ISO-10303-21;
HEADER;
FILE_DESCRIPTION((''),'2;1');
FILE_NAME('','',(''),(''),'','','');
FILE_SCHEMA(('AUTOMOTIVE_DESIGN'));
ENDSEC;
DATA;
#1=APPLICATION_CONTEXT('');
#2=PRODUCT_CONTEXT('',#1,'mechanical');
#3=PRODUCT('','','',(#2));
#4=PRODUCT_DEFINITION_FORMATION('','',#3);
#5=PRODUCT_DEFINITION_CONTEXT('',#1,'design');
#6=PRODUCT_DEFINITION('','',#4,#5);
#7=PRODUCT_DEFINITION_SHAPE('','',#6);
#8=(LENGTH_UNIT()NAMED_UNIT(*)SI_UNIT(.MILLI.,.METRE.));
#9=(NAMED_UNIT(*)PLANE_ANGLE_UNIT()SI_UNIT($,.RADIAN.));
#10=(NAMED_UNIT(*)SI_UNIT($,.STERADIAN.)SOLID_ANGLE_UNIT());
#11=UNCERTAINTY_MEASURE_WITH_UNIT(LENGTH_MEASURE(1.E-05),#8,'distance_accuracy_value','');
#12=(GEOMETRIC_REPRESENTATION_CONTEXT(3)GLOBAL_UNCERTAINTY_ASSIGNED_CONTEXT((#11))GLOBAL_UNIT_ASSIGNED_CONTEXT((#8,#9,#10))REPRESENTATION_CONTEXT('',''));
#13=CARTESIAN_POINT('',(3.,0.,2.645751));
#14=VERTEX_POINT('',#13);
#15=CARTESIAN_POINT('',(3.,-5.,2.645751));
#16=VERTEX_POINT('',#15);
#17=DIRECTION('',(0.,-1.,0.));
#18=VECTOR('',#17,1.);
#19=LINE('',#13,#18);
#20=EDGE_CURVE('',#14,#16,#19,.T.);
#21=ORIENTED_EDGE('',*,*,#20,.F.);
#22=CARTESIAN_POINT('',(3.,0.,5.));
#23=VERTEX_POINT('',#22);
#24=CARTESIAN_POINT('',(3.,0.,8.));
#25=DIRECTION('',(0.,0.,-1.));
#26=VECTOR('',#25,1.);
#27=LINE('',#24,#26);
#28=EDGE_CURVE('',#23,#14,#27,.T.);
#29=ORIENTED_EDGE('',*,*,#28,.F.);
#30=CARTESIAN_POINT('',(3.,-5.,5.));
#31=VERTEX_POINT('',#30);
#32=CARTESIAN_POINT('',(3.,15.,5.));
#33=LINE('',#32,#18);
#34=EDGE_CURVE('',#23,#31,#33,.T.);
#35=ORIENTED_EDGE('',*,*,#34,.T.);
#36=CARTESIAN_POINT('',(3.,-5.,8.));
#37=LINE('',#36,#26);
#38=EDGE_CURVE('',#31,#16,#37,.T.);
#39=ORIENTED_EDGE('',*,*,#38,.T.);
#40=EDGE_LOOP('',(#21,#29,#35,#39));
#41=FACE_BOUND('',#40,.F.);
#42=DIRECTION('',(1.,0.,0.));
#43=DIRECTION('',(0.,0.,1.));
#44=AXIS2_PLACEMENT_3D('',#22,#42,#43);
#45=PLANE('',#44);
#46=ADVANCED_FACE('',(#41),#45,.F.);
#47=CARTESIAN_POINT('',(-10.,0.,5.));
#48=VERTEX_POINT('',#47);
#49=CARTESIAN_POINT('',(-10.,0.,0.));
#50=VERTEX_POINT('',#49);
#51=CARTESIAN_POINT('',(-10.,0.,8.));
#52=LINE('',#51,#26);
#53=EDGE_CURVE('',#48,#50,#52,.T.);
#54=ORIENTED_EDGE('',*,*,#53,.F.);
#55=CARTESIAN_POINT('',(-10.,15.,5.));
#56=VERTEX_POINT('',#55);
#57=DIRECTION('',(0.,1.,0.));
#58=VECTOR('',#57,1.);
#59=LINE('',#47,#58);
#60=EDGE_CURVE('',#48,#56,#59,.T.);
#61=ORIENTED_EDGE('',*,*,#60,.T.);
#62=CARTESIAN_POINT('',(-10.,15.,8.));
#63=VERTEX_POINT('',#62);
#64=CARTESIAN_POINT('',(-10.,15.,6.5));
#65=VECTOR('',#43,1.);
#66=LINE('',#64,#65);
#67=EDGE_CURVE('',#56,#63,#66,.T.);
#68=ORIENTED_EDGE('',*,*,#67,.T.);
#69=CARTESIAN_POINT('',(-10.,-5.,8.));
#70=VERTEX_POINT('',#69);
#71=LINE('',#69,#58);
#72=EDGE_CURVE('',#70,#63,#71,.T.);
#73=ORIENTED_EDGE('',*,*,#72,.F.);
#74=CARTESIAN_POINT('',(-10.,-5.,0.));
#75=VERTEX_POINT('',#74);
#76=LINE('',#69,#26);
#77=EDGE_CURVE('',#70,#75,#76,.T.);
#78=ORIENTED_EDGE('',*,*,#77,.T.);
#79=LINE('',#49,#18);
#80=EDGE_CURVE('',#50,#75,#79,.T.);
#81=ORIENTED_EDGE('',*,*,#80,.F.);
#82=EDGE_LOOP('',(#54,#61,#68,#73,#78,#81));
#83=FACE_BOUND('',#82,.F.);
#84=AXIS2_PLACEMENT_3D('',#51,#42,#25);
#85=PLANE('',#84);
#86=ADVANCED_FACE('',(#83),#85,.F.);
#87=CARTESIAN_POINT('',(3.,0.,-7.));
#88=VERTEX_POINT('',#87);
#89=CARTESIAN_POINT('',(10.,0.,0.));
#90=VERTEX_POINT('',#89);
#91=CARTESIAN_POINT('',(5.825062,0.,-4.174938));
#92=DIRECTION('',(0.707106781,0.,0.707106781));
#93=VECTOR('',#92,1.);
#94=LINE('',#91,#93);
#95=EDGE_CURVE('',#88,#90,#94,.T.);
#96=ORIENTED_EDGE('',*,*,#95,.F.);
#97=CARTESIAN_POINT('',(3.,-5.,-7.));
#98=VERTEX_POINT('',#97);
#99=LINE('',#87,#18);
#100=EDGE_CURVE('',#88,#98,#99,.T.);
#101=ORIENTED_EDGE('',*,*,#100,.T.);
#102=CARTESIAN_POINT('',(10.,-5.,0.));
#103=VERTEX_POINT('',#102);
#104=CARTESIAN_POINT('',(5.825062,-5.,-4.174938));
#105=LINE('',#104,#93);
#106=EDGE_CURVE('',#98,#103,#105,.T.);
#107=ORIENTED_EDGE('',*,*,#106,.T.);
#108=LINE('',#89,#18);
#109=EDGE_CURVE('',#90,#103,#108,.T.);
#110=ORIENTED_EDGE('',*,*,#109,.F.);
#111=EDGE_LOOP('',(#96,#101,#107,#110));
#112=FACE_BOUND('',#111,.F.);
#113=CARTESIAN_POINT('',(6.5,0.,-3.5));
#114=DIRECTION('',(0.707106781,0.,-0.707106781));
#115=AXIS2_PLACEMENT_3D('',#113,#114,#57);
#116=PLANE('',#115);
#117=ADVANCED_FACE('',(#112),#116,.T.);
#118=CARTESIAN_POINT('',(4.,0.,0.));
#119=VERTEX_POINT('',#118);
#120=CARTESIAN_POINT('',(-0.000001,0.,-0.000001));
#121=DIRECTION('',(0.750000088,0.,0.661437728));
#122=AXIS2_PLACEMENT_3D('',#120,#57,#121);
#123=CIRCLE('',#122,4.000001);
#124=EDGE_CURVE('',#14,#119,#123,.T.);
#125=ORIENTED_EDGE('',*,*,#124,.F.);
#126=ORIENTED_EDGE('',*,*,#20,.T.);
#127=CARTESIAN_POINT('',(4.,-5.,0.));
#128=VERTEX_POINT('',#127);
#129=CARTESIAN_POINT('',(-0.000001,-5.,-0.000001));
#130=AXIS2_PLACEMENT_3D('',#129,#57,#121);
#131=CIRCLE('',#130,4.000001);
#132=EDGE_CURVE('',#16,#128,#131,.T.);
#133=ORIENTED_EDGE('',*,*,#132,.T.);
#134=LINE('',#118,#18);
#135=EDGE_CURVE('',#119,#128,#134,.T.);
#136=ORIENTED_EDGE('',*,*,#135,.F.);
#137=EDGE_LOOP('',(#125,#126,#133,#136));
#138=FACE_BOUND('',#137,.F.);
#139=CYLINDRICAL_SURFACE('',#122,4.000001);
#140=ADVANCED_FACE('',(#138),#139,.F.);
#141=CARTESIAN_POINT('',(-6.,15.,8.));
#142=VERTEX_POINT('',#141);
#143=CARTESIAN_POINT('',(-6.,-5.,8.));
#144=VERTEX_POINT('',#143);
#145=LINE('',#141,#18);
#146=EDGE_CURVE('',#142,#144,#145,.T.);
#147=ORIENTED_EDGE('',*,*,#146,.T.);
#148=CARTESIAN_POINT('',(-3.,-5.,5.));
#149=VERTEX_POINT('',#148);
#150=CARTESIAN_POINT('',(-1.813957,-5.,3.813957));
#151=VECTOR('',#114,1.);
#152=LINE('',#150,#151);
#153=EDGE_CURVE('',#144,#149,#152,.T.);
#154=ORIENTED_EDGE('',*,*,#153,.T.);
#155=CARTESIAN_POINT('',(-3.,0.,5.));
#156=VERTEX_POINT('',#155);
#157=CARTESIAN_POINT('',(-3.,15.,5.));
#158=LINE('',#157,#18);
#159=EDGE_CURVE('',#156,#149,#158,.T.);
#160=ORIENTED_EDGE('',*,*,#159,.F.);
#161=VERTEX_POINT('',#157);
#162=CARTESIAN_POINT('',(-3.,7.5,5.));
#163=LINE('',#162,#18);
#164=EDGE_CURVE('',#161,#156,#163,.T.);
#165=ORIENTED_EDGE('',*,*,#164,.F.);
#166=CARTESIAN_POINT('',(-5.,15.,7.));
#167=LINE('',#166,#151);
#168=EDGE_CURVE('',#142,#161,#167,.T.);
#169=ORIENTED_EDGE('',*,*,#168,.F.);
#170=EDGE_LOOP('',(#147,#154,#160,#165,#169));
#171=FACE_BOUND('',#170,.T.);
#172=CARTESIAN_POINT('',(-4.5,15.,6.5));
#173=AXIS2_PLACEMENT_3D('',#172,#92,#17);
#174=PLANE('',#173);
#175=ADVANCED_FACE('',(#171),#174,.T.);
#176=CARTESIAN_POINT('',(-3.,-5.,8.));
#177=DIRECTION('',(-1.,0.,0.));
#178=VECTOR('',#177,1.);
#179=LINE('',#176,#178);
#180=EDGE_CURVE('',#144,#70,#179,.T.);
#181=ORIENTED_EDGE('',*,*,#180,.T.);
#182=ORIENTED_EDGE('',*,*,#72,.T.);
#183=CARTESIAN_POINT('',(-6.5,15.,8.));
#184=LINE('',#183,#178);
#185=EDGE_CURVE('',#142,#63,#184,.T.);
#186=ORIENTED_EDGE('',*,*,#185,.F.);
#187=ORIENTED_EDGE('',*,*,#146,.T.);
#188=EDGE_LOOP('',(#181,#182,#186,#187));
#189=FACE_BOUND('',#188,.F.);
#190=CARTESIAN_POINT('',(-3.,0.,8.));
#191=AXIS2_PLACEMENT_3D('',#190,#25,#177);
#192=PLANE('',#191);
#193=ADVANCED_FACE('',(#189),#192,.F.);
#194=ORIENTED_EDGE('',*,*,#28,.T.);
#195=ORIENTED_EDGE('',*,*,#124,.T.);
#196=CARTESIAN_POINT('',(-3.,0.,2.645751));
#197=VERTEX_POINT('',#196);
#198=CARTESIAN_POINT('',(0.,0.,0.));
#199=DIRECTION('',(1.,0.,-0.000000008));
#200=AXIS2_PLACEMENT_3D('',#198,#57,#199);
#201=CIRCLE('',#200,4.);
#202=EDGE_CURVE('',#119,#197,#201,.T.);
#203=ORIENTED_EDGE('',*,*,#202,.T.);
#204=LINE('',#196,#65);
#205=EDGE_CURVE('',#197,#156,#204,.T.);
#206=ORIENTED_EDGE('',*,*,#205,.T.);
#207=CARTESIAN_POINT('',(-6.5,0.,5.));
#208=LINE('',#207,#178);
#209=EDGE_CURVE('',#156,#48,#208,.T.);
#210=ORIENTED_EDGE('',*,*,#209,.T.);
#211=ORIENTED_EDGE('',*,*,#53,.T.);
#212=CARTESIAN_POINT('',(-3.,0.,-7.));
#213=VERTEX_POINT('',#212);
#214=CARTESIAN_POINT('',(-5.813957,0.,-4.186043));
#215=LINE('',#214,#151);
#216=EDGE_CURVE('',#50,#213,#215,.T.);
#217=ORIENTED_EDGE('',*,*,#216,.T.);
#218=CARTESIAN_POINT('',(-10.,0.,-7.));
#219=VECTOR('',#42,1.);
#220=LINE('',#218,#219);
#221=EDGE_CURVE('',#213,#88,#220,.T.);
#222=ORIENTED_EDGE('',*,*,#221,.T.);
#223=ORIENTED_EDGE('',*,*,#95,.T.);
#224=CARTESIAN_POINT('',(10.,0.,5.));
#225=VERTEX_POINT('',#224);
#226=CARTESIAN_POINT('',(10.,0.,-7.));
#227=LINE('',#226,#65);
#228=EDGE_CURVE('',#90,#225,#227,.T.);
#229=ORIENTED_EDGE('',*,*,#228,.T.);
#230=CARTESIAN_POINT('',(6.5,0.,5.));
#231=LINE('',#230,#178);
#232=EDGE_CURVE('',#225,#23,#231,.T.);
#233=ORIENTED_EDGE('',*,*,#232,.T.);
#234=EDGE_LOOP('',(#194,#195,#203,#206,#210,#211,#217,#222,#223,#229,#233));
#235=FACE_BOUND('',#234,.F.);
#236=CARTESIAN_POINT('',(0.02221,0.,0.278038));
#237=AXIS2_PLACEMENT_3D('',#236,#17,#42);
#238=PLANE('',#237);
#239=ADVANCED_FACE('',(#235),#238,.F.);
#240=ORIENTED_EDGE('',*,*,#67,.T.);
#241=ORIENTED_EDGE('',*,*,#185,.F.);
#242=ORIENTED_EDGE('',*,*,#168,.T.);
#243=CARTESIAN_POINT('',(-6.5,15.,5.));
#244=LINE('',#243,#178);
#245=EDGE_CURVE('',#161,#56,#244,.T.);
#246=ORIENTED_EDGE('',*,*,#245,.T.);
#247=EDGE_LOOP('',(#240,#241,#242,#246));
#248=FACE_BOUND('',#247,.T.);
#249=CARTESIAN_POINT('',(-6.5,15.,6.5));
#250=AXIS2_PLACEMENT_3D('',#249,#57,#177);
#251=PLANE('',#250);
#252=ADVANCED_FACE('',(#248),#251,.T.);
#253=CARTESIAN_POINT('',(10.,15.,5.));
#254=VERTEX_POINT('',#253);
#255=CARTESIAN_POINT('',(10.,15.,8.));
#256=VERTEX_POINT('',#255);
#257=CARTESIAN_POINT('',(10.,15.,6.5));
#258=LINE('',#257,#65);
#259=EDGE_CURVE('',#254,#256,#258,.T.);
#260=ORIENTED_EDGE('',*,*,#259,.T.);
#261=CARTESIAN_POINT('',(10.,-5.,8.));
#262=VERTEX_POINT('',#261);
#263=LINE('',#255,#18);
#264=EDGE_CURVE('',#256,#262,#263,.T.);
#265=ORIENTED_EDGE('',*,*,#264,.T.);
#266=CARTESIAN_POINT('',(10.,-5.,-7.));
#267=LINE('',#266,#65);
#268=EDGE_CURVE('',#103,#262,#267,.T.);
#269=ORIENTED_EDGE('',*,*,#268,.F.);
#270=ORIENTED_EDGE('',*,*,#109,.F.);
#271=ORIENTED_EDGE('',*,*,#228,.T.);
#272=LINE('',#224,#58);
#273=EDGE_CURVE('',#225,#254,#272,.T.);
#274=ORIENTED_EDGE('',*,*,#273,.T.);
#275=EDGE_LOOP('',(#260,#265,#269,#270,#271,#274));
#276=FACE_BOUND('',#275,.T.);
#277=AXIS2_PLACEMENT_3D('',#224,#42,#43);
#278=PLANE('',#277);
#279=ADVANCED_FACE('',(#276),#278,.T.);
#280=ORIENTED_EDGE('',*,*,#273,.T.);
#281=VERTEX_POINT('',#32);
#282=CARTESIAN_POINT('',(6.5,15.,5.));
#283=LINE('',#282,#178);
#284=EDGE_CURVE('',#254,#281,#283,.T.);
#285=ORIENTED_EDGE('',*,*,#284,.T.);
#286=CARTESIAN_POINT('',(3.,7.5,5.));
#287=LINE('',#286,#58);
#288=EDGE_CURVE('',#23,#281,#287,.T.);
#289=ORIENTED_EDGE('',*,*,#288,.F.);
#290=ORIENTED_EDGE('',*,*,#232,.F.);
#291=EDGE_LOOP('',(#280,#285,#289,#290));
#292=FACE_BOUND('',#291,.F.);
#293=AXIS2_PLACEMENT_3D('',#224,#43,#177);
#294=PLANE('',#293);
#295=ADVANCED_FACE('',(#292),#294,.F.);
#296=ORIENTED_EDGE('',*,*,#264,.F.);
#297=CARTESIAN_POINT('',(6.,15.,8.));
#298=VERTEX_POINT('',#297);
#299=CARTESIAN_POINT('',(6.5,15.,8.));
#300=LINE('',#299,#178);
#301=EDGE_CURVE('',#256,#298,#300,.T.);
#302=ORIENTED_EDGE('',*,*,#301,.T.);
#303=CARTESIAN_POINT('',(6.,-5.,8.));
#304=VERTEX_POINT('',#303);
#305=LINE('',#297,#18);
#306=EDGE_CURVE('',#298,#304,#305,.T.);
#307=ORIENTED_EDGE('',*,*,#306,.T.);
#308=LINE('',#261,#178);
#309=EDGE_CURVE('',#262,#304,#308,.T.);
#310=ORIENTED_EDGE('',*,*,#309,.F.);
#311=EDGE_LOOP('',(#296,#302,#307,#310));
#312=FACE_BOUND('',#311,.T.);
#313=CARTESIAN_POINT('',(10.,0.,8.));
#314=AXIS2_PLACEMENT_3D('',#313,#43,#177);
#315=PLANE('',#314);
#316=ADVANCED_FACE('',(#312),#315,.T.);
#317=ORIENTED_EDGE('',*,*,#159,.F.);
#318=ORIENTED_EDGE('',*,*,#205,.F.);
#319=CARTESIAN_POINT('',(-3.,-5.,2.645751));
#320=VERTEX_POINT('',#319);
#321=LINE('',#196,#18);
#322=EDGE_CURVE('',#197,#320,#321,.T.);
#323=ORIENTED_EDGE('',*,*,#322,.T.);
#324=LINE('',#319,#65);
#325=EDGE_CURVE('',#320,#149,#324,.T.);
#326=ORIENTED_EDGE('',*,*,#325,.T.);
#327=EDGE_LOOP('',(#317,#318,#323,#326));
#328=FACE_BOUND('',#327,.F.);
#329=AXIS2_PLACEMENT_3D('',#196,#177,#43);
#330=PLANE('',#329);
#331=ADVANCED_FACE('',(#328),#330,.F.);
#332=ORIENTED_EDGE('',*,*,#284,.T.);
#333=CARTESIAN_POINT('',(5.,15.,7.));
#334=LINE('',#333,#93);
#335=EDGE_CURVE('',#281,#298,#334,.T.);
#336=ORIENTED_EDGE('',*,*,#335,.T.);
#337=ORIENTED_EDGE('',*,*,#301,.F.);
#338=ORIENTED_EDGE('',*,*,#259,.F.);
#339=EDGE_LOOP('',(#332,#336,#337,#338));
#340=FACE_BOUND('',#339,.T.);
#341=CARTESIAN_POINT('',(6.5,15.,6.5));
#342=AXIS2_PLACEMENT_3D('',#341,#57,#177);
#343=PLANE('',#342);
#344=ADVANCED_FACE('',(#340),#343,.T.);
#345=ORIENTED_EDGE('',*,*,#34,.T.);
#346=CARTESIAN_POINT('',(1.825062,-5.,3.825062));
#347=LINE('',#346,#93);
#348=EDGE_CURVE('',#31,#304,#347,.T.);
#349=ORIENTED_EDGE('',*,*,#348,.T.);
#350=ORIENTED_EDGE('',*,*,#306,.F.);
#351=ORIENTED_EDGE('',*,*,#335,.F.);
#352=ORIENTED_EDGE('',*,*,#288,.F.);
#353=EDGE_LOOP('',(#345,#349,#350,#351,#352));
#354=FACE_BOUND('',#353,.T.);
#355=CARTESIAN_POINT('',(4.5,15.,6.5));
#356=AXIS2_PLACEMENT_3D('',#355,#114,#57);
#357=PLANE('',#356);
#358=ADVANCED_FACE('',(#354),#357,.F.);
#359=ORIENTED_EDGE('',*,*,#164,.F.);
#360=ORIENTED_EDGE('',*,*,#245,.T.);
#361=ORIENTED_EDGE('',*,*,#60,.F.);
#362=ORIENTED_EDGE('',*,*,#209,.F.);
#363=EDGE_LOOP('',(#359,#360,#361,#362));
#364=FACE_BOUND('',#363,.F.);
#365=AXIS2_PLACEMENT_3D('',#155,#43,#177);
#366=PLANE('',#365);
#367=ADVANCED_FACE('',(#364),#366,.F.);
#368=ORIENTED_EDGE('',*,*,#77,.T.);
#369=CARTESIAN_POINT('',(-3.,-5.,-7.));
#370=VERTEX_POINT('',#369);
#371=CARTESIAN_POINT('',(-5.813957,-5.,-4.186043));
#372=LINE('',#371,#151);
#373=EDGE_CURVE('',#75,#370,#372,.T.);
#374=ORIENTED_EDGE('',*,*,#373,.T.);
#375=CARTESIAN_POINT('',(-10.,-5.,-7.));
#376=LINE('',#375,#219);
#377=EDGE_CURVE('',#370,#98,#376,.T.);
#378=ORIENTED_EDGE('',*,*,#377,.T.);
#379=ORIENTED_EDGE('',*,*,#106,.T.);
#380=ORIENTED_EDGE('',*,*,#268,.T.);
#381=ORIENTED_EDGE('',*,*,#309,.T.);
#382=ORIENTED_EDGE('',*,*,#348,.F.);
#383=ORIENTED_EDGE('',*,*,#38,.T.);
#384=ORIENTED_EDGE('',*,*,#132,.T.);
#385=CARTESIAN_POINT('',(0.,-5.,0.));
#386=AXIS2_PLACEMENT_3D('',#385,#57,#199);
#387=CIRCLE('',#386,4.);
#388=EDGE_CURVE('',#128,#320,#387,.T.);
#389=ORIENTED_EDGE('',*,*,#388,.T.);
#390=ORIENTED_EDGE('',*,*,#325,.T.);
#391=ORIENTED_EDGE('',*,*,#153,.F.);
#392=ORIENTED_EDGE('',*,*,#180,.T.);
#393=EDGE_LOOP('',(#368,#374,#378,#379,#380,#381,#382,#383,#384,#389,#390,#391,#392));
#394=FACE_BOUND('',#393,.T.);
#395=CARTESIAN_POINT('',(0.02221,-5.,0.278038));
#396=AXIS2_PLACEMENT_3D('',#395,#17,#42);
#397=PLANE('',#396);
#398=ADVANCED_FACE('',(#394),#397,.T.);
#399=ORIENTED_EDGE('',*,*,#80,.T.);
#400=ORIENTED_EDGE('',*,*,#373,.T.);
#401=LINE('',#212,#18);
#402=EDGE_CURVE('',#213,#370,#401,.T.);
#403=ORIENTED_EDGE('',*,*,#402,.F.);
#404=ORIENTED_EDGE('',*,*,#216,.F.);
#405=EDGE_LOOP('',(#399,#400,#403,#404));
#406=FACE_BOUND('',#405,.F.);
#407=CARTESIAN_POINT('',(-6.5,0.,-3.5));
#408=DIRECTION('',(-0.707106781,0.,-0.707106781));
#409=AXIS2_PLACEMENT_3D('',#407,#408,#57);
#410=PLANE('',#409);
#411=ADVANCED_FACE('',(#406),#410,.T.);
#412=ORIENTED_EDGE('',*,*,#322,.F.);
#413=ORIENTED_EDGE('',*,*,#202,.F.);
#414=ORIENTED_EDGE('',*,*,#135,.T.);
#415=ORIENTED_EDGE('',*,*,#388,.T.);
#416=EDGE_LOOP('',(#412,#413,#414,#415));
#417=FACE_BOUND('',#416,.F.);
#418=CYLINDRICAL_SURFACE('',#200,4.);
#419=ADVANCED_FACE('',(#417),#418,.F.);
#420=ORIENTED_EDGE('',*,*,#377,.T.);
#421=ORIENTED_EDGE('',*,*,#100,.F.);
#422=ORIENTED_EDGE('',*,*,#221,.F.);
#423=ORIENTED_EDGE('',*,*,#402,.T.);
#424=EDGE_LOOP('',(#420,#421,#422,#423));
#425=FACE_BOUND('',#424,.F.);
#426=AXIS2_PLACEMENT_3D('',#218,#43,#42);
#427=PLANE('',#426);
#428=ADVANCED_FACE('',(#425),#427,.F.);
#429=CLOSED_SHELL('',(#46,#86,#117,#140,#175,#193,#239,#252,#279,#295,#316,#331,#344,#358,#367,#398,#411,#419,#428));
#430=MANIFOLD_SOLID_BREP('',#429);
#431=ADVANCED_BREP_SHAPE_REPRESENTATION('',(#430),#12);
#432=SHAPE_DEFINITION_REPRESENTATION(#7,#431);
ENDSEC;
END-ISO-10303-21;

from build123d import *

# Parameters (mm, degrees)
F1_DEPTH = 5
F2_SIZE  = 7
F3_W     = 7
F3_H     = 3
F4_DEPTH = 15
F5_SIZE  = 3


with BuildPart() as f1:
    # F0 (on Front) → F1 (new body)
    with BuildSketch(Plane.XZ):
        with BuildLine():
            ThreePointArc((3, 2.645751), (3.741657, 1.414214), (4, 0))
            ThreePointArc((4, 0), (-1.414214, -3.741657), (-3, 2.645751))
            Line((-3, 2.645751), (-3, 8))
            Line((-3, 8), (-10, 8))
            Line((-10, 8), (-10, -7))
            Line((-10, -7), (0, -7))
            Line((0, -7), (10, -7))
            Line((10, -7), (10, 8))
            Line((10, 8), (3, 8))
            Line((3, 8), (3, 2.645751))
        make_face()
    extrude(amount=F1_DEPTH)

    # F2
    f2_edges = [f1.edges().sort_by_distance(p)[0] for p in [
        (-10, -2.5, -7),
        (10, -2.5, -7),
    ]]
    chamfer(f2_edges, length=F2_SIZE)

    # F3 (on face) → F4 (join)
    with BuildSketch(Plane(origin=(0, 0, 0), x_dir=(-1, 0, 0), z_dir=(0, 1, 0))):
        with Locations((-6.5, 6.5)):
            Rectangle(F3_W, F3_H)
        with Locations((6.5, 6.5)):
            Rectangle(F3_W, F3_H)
    extrude(amount=F4_DEPTH)

    # F5
    f5_edges = [f1.edges().sort_by_distance(p)[0] for p in [
        (-3, 5, 8),
        (3, 5, 8),
    ]]
    chamfer(f5_edges, length=F5_SIZE)


solid = f1.part
